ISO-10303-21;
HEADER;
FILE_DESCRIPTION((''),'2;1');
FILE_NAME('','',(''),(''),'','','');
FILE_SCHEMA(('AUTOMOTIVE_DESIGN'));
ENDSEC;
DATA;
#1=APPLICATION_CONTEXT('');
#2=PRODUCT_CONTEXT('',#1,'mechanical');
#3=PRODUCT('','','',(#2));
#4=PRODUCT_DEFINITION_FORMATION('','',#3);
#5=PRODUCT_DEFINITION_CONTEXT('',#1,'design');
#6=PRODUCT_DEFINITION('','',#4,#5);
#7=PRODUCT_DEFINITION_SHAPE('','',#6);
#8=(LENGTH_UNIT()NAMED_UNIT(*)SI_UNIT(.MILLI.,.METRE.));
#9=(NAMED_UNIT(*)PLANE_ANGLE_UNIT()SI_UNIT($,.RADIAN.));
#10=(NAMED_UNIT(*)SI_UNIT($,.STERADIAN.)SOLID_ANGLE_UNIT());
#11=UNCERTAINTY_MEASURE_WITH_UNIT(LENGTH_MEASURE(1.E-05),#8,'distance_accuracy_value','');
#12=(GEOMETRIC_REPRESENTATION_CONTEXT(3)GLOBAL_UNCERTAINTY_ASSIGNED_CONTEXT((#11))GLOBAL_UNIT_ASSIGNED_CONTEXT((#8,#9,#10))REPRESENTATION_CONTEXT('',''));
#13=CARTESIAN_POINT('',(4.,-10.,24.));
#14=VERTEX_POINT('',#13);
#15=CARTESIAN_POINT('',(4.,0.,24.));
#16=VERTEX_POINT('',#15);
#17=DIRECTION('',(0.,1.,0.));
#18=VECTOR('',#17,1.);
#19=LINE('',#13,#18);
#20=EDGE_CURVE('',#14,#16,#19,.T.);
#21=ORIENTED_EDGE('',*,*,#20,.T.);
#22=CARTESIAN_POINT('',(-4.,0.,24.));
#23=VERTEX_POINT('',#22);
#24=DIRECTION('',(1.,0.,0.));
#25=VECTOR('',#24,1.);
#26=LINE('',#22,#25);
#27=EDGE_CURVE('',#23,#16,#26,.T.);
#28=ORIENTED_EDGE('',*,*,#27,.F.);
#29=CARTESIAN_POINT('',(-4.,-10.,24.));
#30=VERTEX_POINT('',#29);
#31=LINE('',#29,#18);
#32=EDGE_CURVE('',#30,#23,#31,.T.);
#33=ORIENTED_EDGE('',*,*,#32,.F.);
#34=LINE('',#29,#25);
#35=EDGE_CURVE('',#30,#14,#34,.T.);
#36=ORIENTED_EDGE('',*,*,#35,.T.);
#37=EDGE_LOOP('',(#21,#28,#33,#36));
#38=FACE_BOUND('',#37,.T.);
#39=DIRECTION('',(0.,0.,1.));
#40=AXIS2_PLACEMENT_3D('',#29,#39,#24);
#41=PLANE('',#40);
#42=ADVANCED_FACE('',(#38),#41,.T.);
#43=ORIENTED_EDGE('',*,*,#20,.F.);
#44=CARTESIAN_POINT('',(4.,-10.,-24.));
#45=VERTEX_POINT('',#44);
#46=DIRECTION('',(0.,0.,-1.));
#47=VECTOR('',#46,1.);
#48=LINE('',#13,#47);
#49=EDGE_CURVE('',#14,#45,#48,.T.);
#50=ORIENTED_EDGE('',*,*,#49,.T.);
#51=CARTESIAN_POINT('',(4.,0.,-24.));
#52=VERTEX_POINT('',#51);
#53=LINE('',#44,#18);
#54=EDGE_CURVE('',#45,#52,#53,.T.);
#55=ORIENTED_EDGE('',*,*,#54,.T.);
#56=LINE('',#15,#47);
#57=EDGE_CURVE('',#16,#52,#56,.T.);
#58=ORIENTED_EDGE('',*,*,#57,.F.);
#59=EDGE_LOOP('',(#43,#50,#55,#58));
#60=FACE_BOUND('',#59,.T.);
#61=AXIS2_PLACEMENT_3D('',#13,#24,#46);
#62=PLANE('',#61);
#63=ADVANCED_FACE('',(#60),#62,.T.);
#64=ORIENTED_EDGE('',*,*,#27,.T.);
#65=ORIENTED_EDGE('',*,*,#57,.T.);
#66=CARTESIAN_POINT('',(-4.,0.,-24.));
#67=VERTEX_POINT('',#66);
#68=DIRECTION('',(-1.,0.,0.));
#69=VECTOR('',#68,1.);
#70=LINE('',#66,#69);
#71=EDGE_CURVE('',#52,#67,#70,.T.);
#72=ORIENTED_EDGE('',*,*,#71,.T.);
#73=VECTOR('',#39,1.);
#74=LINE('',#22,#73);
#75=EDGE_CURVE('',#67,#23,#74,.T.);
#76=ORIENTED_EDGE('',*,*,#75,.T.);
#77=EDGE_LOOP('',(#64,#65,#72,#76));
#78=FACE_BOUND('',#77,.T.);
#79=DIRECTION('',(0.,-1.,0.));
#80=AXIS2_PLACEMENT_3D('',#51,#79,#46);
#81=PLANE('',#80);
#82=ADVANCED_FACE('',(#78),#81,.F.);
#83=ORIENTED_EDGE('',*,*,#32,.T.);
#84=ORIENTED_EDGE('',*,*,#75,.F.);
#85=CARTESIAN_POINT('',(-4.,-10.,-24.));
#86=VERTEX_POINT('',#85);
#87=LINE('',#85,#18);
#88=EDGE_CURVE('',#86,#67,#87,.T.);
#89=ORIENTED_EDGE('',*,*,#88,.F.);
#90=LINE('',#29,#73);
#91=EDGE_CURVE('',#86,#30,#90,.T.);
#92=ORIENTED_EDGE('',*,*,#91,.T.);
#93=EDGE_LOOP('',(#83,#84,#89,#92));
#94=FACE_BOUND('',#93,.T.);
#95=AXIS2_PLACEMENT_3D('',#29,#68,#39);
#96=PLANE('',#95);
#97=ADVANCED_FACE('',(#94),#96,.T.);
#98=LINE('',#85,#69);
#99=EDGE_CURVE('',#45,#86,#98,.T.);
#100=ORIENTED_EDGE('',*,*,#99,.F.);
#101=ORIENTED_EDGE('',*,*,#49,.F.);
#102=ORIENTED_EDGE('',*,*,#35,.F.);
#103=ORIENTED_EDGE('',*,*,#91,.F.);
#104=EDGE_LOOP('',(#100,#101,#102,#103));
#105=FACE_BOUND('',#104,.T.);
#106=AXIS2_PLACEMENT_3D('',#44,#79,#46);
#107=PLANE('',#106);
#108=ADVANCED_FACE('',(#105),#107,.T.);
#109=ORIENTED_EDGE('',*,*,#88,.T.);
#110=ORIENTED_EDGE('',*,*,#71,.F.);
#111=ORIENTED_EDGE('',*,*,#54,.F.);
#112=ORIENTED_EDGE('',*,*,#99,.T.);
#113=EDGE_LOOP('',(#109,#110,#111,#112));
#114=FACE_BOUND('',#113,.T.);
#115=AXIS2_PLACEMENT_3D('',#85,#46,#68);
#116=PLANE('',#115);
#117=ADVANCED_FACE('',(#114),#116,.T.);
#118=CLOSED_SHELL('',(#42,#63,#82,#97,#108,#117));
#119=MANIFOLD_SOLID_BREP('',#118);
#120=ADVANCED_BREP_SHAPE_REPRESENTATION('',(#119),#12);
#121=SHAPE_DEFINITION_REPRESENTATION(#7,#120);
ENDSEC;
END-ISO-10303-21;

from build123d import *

# Parameters (mm, degrees)
SKETCH1_W           = 8
SKETCH1_H           = 48
BOSS_EXTRUDE1_DEPTH = 10


with BuildPart() as part:
    # Sketch1 → Boss-Extrude1 (new body)
    with BuildSketch(Plane(origin=(0, 0, 0), x_dir=(1, 0, 0), z_dir=(0, 1, 0))):
        Rectangle(SKETCH1_W, SKETCH1_H)
    extrude(amount=-BOSS_EXTRUDE1_DEPTH)


solid = part.part
